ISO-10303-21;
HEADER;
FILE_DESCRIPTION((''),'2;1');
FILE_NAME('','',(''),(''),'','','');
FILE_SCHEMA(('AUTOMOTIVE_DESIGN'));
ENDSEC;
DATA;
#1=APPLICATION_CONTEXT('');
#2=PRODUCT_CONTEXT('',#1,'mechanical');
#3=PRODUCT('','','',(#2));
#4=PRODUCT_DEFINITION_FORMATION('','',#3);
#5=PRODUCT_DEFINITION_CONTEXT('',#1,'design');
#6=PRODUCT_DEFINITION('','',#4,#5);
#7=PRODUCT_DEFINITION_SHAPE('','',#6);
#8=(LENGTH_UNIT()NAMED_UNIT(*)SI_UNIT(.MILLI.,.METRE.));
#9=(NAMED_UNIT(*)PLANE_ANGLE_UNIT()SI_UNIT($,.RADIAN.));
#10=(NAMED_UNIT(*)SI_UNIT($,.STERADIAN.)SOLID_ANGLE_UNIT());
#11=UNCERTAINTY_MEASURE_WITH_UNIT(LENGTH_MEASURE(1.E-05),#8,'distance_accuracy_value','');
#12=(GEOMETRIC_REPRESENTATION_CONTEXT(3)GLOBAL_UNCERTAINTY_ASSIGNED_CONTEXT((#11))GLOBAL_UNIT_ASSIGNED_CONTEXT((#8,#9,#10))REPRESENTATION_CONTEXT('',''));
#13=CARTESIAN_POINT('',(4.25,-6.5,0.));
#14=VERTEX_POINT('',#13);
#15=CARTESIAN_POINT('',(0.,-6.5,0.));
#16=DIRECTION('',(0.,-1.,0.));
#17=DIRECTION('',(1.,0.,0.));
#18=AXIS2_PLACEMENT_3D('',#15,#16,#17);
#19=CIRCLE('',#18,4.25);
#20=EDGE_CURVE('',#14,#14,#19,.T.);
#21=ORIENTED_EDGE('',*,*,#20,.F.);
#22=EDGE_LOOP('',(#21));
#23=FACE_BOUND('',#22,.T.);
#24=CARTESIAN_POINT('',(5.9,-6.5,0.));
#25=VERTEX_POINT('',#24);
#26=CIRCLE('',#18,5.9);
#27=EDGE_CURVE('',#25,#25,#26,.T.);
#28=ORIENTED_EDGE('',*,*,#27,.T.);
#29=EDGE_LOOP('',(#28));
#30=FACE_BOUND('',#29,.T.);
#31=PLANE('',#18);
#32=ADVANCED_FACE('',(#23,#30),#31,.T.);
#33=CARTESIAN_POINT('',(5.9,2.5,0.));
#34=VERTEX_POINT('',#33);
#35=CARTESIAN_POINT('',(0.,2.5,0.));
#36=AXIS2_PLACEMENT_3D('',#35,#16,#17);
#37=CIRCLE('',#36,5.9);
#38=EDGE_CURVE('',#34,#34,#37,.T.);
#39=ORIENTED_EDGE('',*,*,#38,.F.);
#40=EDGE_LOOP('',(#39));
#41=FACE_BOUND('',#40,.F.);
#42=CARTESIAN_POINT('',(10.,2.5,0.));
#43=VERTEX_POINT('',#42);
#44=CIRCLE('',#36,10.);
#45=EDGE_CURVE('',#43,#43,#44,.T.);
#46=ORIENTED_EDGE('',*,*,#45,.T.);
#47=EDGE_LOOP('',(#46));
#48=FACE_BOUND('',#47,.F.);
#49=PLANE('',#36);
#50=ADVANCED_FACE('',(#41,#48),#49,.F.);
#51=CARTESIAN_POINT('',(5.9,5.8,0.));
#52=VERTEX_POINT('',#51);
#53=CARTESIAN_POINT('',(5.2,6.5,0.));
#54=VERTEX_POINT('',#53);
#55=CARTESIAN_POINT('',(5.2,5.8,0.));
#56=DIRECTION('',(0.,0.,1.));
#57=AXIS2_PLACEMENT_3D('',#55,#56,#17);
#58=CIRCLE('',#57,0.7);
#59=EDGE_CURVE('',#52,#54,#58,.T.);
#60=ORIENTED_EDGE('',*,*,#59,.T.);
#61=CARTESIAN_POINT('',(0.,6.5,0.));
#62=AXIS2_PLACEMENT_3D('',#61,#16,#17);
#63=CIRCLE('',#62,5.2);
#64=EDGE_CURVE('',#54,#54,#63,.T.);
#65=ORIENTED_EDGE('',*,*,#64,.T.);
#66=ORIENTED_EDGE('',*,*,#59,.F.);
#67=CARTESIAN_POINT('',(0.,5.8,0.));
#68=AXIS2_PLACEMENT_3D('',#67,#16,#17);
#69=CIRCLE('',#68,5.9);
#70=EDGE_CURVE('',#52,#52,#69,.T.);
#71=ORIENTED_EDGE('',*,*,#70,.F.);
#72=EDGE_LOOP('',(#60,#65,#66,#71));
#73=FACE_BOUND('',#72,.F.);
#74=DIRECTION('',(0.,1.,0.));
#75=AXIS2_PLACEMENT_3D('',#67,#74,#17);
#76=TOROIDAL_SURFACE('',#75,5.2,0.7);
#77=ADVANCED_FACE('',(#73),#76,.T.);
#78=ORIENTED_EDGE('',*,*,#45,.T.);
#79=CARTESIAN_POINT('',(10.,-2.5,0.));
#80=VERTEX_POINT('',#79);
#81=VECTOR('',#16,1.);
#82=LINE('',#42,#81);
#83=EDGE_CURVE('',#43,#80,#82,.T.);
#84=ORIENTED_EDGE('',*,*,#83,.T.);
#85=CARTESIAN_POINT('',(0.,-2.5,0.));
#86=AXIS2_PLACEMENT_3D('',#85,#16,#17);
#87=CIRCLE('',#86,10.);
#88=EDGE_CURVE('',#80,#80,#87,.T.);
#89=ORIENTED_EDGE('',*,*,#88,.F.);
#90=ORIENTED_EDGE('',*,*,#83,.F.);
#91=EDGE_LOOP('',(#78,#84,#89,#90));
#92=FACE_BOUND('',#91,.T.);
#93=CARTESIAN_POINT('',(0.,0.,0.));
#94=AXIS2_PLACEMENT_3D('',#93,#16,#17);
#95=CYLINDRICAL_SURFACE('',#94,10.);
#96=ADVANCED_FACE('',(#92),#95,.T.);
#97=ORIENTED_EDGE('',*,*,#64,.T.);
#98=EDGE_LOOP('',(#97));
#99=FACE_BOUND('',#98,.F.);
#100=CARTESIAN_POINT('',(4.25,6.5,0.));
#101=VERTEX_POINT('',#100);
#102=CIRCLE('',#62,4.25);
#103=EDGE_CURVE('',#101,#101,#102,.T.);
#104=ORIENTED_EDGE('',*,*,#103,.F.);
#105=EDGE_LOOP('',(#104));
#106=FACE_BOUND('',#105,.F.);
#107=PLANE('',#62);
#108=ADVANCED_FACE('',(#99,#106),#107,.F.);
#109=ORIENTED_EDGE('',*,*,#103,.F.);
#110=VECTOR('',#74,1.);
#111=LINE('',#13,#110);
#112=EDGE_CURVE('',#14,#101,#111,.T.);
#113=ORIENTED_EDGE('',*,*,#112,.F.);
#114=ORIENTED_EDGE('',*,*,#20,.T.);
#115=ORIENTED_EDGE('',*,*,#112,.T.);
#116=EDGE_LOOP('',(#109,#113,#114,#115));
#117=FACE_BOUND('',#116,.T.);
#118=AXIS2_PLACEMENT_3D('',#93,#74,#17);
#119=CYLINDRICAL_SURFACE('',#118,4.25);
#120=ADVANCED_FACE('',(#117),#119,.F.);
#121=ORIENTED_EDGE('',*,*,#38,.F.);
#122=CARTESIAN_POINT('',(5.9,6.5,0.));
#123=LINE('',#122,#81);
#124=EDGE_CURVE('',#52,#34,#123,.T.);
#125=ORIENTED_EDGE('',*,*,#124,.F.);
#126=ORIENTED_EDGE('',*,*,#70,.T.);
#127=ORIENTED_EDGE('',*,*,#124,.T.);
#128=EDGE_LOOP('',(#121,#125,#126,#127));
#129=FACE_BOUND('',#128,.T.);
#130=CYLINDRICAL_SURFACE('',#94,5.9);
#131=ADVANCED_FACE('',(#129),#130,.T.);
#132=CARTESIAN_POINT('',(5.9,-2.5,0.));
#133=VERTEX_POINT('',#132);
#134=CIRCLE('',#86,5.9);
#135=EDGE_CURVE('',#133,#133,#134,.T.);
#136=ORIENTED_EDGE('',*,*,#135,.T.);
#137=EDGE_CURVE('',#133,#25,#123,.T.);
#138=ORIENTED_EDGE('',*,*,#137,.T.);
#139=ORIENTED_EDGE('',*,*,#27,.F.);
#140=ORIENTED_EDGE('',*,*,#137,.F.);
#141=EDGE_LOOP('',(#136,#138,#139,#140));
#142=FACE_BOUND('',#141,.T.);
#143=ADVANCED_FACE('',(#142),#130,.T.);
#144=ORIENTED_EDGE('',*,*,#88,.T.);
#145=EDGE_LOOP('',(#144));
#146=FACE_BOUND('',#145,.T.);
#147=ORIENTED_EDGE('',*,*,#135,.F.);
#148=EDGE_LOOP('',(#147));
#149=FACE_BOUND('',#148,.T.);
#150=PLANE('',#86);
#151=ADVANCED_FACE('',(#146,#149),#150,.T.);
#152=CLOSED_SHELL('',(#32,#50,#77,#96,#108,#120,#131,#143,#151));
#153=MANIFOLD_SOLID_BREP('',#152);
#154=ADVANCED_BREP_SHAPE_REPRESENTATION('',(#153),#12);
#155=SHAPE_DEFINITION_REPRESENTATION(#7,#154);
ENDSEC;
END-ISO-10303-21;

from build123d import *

# Parameters (mm, degrees)
F0_R     = 10
F0_R_2   = 5.9
F1_DEPTH = 2.5
F0_R_3   = 4.25
F2_DEPTH = 6.5
F3_R     = 0.7


with BuildPart() as f1:
    # F0 (on Front) → F1 (new body, symmetric)
    with BuildSketch(Plane.XZ):
        Circle(F0_R)
        Circle(F0_R_2, mode=Mode.SUBTRACT)
    extrude(amount=F1_DEPTH, both=True)

    # F0 (on Front) → F2 (join, symmetric)
    with BuildSketch(Plane.XZ):
        Circle(F0_R_2)
        Circle(F0_R_3, mode=Mode.SUBTRACT)
    extrude(amount=F2_DEPTH, both=True)

    # F3
    f3_edges = [f1.edges().sort_by_distance(p)[0] for p in [
        (-5.9, 6.5, 0),
    ]]
    fillet(f3_edges, radius=F3_R)


solid = f1.part
